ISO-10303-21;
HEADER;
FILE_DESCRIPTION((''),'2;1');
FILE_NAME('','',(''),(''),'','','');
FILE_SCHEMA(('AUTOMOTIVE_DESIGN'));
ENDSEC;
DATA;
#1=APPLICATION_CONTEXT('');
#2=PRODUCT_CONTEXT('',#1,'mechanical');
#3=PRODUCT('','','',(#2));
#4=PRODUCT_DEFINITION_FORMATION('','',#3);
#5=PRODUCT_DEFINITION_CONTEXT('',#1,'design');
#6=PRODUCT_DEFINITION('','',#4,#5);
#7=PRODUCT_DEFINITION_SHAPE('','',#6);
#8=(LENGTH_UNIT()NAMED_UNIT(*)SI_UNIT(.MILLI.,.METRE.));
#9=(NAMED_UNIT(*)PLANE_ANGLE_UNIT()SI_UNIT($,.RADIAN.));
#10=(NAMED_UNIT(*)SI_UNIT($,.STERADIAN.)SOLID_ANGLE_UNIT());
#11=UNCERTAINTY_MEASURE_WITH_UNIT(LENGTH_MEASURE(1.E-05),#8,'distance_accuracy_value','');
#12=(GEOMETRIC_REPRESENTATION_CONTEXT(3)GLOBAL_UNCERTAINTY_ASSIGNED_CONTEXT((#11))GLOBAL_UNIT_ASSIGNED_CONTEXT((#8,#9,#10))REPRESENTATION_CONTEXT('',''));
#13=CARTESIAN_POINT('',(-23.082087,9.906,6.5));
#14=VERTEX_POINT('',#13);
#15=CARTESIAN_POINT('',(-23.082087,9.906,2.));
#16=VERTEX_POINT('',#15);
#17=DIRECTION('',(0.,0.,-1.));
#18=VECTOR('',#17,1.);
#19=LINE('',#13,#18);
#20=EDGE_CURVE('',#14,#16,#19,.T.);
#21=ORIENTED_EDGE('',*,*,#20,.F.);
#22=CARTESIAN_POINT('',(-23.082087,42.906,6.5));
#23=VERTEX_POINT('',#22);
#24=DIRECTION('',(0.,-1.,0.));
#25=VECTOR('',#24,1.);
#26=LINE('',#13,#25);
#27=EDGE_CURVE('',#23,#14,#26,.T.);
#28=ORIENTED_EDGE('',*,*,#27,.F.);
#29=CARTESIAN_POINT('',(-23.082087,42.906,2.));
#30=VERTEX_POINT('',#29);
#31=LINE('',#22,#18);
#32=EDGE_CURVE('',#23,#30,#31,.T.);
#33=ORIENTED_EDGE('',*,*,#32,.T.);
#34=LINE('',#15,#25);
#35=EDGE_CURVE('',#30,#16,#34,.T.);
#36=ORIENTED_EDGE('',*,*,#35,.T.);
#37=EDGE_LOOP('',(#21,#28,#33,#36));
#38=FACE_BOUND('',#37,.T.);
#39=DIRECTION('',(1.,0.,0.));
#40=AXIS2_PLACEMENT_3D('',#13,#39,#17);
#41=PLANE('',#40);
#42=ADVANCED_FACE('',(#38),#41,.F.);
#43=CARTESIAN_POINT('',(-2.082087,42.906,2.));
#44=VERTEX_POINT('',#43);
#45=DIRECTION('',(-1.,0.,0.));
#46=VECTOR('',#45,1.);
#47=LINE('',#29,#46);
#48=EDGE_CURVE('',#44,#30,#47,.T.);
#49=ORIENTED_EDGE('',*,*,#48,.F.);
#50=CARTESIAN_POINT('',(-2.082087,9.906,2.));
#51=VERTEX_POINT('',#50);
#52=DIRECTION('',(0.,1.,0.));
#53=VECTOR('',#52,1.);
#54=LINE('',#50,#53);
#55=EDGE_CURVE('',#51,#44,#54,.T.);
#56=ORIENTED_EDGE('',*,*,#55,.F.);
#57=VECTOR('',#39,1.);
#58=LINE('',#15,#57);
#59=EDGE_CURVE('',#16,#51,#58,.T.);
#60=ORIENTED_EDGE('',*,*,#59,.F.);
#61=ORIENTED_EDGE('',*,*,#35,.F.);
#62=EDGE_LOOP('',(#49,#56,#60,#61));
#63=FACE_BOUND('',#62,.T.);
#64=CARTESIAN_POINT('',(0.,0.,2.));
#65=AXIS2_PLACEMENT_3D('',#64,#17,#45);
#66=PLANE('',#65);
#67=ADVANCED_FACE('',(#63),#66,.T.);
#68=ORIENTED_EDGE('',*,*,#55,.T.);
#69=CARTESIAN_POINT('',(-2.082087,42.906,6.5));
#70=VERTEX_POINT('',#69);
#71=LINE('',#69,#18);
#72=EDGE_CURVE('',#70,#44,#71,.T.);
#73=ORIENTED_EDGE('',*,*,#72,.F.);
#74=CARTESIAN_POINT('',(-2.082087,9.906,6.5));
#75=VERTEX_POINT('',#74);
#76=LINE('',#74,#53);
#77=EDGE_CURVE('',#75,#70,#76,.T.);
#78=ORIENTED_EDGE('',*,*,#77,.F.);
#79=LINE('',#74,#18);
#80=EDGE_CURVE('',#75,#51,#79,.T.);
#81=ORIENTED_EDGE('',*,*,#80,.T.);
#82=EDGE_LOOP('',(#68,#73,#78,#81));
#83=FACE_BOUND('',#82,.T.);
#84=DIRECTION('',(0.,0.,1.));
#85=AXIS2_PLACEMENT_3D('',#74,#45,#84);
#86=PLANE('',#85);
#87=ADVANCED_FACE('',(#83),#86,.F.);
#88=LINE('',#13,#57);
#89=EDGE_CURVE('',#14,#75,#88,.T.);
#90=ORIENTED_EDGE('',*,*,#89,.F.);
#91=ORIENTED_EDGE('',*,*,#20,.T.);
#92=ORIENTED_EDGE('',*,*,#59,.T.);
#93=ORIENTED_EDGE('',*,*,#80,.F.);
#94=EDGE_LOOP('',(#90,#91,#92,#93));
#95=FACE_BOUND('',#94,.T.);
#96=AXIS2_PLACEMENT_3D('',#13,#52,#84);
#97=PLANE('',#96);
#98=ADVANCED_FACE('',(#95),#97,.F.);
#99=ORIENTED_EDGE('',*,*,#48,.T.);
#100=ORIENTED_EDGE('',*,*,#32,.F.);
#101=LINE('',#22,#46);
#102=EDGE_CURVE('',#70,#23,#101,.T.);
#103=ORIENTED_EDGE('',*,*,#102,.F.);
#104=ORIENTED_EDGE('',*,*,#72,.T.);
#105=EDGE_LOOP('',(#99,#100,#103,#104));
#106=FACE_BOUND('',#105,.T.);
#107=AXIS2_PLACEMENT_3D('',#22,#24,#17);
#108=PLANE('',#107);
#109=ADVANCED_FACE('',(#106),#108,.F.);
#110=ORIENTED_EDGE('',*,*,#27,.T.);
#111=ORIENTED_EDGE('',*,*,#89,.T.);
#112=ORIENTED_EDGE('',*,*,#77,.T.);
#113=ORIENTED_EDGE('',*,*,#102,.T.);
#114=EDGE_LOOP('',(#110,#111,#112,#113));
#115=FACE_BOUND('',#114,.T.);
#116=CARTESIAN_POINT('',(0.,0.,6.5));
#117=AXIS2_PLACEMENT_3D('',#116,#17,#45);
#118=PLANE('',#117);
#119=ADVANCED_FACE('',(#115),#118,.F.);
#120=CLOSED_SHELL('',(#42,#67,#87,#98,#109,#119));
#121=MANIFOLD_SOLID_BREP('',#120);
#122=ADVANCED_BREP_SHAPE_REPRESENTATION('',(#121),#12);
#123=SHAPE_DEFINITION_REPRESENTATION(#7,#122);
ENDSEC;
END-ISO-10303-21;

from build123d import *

# Parameters (mm, degrees)
BOSS_EXTRUDE1_START = 2
SKETCH1_W           = 21
SKETCH1_H           = 33
BOSS_EXTRUDE1_DEPTH = 4.5


with BuildPart() as part:
    # Sketch1 → Boss-Extrude1 (new body)
    with BuildSketch(Plane.XY.offset(BOSS_EXTRUDE1_START)):
        with Locations((-12.582086676, 26.406)):
            Rectangle(SKETCH1_W, SKETCH1_H)
    extrude(amount=BOSS_EXTRUDE1_DEPTH)


solid = part.part
